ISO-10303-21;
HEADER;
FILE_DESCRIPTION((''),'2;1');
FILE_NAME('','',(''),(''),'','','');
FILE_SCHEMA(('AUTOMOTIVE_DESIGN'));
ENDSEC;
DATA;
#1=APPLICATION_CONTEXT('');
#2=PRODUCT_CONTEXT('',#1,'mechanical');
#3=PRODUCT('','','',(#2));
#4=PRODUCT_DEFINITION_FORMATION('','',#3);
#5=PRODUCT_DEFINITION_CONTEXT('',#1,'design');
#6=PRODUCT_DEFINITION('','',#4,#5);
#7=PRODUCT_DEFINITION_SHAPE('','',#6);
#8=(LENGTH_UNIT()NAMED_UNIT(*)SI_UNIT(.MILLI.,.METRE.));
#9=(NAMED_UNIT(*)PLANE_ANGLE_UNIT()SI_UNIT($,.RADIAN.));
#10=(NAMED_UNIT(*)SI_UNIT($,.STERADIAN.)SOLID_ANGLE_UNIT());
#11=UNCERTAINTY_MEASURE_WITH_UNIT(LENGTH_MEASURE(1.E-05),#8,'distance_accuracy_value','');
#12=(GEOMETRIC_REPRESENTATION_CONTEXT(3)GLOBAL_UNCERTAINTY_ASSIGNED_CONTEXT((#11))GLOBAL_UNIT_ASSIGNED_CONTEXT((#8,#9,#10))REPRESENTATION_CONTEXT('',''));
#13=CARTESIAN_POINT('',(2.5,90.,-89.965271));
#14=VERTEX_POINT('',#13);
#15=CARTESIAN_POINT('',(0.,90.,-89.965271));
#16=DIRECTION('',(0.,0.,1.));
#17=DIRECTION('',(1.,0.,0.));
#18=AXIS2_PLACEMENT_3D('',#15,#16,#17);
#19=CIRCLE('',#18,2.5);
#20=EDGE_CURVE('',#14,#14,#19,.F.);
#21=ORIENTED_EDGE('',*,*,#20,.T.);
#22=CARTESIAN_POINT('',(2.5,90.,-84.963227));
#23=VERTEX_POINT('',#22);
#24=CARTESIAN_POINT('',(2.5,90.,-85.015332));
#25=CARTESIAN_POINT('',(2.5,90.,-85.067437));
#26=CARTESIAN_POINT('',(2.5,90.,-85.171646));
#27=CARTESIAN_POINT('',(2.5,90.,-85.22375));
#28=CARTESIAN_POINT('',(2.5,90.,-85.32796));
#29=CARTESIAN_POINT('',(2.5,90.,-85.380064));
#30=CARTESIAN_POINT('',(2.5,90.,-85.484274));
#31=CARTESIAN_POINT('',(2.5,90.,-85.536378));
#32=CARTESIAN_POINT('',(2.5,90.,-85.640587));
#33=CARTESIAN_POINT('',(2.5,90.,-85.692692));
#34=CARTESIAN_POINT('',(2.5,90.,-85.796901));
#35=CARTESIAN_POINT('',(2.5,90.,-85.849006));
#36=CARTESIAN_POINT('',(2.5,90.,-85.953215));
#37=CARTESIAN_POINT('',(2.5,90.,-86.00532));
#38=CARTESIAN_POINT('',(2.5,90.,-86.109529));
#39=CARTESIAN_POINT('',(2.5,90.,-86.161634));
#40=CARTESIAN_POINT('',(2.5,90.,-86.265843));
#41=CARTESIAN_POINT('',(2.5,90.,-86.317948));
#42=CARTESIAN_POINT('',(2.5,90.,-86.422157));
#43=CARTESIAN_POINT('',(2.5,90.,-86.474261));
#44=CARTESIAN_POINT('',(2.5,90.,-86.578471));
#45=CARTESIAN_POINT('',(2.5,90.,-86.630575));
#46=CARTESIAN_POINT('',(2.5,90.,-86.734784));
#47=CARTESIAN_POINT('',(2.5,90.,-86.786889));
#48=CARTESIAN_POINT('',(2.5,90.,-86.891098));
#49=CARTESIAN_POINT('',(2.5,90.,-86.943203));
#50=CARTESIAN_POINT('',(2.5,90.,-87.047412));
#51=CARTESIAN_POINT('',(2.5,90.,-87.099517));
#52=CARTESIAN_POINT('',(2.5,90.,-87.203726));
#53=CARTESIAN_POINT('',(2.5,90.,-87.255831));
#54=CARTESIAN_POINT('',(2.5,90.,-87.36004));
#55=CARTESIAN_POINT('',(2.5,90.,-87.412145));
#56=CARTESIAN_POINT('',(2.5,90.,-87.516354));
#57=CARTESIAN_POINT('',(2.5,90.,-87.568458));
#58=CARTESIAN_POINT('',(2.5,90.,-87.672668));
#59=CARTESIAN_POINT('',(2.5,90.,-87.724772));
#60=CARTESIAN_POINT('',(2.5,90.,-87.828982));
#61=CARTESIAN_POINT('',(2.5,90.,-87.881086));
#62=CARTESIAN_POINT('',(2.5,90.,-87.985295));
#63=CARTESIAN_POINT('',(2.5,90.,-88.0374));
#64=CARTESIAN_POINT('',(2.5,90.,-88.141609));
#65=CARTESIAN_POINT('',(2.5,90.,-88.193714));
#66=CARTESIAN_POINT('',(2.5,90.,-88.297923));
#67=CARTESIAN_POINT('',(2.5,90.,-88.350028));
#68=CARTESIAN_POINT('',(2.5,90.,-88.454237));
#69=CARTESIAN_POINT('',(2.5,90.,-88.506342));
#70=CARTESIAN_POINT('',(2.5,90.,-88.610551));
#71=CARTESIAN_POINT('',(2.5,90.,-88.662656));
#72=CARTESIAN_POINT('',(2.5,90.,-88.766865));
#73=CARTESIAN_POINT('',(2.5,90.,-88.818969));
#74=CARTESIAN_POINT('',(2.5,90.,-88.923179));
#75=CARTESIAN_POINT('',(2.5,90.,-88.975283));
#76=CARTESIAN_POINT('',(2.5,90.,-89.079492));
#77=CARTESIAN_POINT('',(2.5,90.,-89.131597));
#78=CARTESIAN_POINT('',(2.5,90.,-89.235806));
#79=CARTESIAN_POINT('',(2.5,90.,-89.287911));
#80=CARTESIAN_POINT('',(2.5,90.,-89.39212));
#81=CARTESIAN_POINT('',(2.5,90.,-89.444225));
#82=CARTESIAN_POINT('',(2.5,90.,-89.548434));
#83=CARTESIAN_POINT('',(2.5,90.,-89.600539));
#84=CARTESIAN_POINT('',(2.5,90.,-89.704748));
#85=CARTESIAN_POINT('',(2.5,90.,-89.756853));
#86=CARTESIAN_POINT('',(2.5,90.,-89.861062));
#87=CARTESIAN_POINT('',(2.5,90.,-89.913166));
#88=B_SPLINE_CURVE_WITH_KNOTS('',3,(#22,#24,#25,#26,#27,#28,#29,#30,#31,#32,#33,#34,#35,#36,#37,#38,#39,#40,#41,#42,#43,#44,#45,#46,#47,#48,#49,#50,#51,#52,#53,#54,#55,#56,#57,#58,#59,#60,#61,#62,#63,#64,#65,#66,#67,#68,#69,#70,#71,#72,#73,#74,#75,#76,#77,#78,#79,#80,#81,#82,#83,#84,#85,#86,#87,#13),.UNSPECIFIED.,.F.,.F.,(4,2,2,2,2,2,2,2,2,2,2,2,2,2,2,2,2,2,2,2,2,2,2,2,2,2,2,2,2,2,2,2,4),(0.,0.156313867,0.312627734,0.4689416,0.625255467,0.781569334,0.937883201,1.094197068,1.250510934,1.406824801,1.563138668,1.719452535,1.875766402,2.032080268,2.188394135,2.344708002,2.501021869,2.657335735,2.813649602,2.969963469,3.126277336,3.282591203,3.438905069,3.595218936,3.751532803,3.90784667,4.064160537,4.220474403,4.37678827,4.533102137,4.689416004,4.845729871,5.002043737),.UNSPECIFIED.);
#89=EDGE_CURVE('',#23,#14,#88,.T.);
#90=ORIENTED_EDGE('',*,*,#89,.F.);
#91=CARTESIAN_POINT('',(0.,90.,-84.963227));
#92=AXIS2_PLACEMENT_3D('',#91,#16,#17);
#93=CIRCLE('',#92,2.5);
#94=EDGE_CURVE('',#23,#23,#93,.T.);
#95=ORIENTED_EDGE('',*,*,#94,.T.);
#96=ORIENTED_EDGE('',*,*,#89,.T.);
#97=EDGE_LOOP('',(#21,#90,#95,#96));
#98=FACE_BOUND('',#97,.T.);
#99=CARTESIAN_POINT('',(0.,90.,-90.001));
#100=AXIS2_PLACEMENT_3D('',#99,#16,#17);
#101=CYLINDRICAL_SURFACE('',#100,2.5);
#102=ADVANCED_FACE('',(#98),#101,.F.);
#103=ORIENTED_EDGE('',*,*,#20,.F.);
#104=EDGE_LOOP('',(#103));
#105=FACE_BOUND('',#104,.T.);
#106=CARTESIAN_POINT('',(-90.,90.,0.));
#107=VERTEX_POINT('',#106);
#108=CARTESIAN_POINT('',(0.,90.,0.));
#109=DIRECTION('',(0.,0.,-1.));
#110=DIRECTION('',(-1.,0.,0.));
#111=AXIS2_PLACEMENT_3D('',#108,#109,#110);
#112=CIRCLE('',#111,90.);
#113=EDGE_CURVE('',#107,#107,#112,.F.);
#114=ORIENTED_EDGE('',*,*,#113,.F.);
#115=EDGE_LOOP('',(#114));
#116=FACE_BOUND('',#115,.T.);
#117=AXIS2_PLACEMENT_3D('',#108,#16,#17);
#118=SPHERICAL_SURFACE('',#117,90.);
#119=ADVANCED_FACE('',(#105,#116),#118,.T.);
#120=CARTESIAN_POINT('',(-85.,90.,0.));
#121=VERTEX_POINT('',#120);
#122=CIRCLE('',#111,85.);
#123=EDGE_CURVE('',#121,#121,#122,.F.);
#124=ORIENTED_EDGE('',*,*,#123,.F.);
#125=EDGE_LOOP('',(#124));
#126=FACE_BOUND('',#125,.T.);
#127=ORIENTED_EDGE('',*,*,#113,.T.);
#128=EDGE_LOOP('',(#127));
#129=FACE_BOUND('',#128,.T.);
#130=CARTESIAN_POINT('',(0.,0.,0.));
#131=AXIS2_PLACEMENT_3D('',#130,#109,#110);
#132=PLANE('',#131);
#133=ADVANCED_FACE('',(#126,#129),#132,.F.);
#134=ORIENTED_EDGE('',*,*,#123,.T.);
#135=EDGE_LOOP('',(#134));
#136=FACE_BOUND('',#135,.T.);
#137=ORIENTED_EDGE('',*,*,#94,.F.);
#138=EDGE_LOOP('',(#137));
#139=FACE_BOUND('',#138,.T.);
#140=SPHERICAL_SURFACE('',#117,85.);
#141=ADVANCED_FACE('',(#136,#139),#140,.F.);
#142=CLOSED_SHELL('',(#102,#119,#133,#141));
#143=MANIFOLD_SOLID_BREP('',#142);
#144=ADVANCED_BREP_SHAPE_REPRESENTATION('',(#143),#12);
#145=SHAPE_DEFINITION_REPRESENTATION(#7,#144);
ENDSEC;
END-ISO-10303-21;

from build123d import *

# Parameters (mm, degrees)
REVOLVE1_ANGLE          = 180
CUT_EXTRUDE1_REACH      = 222.454
CUT_EXTRUDE1_END_RADIUS = 90


with BuildPart() as part:
    # Sketch1 → Revolve1 (revolve)
    with BuildSketch(Plane.XY):
        with BuildLine():
            Line((0, 5), (0, 0))
            ThreePointArc((0, 0), (90, 90), (0, 180))
            Line((0, 180), (0, 175))
            ThreePointArc((0, 175), (85, 90), (0, 5))
        make_face()
    revolve(axis=Axis((0, 0, 0), (0, 1, 0)), revolution_arc=REVOLVE1_ANGLE)

    # Cut-Extrude1: up to this sphere (the profile starts inside it)
    cut_extrude1_end = Location((0, 90, 0)) * Sphere(CUT_EXTRUDE1_END_RADIUS, mode=Mode.PRIVATE)
    # Sketch1<3> → Cut-Extrude1 (cut, up to the surface)
    with BuildSketch(Plane.XY, mode=Mode.PRIVATE) as cut_extrude1_sk1:
        with BuildLine():
            ThreePointArc((0, 92.5), (-2.5, 90), (0, 87.5))
            Line((0, 87.5), (0, 92.5))
        make_face()
    cut_extrude1_tool1 = extrude(cut_extrude1_sk1.sketch, amount=-CUT_EXTRUDE1_REACH, mode=Mode.PRIVATE) & cut_extrude1_end
    add(cut_extrude1_tool1.solids().sort_by_distance((-1.061033, 90, 0))[0], mode=Mode.SUBTRACT)
    # Sketch1<3> → Cut-Extrude1 (cut, up to the surface)
    with BuildSketch(Plane.XY, mode=Mode.PRIVATE) as cut_extrude1_sk2:
        with BuildLine():
            Line((0, 92.5), (0, 87.5))
            ThreePointArc((0, 87.5), (1.767766953, 88.232233047), (2.5, 90))
            ThreePointArc((2.5, 90), (1.767766953, 91.767766953), (0, 92.5))
        make_face()
    cut_extrude1_tool2 = extrude(cut_extrude1_sk2.sketch, amount=-CUT_EXTRUDE1_REACH, mode=Mode.PRIVATE) & cut_extrude1_end
    add(cut_extrude1_tool2.solids().sort_by_distance((1.061033, 90, 0))[0], mode=Mode.SUBTRACT)
    # Sketch1<3> → Cut-Extrude1 (cut, up to the surface)
    with BuildSketch(Plane.XY, mode=Mode.PRIVATE) as cut_extrude1_sk3:
        with BuildLine():
            ThreePointArc((0, 92.5), (-2.5, 90), (0, 87.5))
            Line((0, 87.5), (0, 92.5))
        make_face()
    cut_extrude1_tool3 = extrude(cut_extrude1_sk3.sketch, amount=-CUT_EXTRUDE1_REACH, mode=Mode.PRIVATE) & cut_extrude1_end
    add(cut_extrude1_tool3.solids().sort_by_distance((-1.061033, 90, 0))[0], mode=Mode.SUBTRACT)
    # Sketch1<3> → Cut-Extrude1 (cut, up to the surface)
    with BuildSketch(Plane.XY, mode=Mode.PRIVATE) as cut_extrude1_sk4:
        with BuildLine():
            Line((0, 92.5), (0, 87.5))
            ThreePointArc((0, 87.5), (1.767766953, 88.232233047), (2.5, 90))
            ThreePointArc((2.5, 90), (1.767766953, 91.767766953), (0, 92.5))
        make_face()
    cut_extrude1_tool4 = extrude(cut_extrude1_sk4.sketch, amount=-CUT_EXTRUDE1_REACH, mode=Mode.PRIVATE) & cut_extrude1_end
    add(cut_extrude1_tool4.solids().sort_by_distance((1.061033, 90, 0))[0], mode=Mode.SUBTRACT)


solid = part.part
